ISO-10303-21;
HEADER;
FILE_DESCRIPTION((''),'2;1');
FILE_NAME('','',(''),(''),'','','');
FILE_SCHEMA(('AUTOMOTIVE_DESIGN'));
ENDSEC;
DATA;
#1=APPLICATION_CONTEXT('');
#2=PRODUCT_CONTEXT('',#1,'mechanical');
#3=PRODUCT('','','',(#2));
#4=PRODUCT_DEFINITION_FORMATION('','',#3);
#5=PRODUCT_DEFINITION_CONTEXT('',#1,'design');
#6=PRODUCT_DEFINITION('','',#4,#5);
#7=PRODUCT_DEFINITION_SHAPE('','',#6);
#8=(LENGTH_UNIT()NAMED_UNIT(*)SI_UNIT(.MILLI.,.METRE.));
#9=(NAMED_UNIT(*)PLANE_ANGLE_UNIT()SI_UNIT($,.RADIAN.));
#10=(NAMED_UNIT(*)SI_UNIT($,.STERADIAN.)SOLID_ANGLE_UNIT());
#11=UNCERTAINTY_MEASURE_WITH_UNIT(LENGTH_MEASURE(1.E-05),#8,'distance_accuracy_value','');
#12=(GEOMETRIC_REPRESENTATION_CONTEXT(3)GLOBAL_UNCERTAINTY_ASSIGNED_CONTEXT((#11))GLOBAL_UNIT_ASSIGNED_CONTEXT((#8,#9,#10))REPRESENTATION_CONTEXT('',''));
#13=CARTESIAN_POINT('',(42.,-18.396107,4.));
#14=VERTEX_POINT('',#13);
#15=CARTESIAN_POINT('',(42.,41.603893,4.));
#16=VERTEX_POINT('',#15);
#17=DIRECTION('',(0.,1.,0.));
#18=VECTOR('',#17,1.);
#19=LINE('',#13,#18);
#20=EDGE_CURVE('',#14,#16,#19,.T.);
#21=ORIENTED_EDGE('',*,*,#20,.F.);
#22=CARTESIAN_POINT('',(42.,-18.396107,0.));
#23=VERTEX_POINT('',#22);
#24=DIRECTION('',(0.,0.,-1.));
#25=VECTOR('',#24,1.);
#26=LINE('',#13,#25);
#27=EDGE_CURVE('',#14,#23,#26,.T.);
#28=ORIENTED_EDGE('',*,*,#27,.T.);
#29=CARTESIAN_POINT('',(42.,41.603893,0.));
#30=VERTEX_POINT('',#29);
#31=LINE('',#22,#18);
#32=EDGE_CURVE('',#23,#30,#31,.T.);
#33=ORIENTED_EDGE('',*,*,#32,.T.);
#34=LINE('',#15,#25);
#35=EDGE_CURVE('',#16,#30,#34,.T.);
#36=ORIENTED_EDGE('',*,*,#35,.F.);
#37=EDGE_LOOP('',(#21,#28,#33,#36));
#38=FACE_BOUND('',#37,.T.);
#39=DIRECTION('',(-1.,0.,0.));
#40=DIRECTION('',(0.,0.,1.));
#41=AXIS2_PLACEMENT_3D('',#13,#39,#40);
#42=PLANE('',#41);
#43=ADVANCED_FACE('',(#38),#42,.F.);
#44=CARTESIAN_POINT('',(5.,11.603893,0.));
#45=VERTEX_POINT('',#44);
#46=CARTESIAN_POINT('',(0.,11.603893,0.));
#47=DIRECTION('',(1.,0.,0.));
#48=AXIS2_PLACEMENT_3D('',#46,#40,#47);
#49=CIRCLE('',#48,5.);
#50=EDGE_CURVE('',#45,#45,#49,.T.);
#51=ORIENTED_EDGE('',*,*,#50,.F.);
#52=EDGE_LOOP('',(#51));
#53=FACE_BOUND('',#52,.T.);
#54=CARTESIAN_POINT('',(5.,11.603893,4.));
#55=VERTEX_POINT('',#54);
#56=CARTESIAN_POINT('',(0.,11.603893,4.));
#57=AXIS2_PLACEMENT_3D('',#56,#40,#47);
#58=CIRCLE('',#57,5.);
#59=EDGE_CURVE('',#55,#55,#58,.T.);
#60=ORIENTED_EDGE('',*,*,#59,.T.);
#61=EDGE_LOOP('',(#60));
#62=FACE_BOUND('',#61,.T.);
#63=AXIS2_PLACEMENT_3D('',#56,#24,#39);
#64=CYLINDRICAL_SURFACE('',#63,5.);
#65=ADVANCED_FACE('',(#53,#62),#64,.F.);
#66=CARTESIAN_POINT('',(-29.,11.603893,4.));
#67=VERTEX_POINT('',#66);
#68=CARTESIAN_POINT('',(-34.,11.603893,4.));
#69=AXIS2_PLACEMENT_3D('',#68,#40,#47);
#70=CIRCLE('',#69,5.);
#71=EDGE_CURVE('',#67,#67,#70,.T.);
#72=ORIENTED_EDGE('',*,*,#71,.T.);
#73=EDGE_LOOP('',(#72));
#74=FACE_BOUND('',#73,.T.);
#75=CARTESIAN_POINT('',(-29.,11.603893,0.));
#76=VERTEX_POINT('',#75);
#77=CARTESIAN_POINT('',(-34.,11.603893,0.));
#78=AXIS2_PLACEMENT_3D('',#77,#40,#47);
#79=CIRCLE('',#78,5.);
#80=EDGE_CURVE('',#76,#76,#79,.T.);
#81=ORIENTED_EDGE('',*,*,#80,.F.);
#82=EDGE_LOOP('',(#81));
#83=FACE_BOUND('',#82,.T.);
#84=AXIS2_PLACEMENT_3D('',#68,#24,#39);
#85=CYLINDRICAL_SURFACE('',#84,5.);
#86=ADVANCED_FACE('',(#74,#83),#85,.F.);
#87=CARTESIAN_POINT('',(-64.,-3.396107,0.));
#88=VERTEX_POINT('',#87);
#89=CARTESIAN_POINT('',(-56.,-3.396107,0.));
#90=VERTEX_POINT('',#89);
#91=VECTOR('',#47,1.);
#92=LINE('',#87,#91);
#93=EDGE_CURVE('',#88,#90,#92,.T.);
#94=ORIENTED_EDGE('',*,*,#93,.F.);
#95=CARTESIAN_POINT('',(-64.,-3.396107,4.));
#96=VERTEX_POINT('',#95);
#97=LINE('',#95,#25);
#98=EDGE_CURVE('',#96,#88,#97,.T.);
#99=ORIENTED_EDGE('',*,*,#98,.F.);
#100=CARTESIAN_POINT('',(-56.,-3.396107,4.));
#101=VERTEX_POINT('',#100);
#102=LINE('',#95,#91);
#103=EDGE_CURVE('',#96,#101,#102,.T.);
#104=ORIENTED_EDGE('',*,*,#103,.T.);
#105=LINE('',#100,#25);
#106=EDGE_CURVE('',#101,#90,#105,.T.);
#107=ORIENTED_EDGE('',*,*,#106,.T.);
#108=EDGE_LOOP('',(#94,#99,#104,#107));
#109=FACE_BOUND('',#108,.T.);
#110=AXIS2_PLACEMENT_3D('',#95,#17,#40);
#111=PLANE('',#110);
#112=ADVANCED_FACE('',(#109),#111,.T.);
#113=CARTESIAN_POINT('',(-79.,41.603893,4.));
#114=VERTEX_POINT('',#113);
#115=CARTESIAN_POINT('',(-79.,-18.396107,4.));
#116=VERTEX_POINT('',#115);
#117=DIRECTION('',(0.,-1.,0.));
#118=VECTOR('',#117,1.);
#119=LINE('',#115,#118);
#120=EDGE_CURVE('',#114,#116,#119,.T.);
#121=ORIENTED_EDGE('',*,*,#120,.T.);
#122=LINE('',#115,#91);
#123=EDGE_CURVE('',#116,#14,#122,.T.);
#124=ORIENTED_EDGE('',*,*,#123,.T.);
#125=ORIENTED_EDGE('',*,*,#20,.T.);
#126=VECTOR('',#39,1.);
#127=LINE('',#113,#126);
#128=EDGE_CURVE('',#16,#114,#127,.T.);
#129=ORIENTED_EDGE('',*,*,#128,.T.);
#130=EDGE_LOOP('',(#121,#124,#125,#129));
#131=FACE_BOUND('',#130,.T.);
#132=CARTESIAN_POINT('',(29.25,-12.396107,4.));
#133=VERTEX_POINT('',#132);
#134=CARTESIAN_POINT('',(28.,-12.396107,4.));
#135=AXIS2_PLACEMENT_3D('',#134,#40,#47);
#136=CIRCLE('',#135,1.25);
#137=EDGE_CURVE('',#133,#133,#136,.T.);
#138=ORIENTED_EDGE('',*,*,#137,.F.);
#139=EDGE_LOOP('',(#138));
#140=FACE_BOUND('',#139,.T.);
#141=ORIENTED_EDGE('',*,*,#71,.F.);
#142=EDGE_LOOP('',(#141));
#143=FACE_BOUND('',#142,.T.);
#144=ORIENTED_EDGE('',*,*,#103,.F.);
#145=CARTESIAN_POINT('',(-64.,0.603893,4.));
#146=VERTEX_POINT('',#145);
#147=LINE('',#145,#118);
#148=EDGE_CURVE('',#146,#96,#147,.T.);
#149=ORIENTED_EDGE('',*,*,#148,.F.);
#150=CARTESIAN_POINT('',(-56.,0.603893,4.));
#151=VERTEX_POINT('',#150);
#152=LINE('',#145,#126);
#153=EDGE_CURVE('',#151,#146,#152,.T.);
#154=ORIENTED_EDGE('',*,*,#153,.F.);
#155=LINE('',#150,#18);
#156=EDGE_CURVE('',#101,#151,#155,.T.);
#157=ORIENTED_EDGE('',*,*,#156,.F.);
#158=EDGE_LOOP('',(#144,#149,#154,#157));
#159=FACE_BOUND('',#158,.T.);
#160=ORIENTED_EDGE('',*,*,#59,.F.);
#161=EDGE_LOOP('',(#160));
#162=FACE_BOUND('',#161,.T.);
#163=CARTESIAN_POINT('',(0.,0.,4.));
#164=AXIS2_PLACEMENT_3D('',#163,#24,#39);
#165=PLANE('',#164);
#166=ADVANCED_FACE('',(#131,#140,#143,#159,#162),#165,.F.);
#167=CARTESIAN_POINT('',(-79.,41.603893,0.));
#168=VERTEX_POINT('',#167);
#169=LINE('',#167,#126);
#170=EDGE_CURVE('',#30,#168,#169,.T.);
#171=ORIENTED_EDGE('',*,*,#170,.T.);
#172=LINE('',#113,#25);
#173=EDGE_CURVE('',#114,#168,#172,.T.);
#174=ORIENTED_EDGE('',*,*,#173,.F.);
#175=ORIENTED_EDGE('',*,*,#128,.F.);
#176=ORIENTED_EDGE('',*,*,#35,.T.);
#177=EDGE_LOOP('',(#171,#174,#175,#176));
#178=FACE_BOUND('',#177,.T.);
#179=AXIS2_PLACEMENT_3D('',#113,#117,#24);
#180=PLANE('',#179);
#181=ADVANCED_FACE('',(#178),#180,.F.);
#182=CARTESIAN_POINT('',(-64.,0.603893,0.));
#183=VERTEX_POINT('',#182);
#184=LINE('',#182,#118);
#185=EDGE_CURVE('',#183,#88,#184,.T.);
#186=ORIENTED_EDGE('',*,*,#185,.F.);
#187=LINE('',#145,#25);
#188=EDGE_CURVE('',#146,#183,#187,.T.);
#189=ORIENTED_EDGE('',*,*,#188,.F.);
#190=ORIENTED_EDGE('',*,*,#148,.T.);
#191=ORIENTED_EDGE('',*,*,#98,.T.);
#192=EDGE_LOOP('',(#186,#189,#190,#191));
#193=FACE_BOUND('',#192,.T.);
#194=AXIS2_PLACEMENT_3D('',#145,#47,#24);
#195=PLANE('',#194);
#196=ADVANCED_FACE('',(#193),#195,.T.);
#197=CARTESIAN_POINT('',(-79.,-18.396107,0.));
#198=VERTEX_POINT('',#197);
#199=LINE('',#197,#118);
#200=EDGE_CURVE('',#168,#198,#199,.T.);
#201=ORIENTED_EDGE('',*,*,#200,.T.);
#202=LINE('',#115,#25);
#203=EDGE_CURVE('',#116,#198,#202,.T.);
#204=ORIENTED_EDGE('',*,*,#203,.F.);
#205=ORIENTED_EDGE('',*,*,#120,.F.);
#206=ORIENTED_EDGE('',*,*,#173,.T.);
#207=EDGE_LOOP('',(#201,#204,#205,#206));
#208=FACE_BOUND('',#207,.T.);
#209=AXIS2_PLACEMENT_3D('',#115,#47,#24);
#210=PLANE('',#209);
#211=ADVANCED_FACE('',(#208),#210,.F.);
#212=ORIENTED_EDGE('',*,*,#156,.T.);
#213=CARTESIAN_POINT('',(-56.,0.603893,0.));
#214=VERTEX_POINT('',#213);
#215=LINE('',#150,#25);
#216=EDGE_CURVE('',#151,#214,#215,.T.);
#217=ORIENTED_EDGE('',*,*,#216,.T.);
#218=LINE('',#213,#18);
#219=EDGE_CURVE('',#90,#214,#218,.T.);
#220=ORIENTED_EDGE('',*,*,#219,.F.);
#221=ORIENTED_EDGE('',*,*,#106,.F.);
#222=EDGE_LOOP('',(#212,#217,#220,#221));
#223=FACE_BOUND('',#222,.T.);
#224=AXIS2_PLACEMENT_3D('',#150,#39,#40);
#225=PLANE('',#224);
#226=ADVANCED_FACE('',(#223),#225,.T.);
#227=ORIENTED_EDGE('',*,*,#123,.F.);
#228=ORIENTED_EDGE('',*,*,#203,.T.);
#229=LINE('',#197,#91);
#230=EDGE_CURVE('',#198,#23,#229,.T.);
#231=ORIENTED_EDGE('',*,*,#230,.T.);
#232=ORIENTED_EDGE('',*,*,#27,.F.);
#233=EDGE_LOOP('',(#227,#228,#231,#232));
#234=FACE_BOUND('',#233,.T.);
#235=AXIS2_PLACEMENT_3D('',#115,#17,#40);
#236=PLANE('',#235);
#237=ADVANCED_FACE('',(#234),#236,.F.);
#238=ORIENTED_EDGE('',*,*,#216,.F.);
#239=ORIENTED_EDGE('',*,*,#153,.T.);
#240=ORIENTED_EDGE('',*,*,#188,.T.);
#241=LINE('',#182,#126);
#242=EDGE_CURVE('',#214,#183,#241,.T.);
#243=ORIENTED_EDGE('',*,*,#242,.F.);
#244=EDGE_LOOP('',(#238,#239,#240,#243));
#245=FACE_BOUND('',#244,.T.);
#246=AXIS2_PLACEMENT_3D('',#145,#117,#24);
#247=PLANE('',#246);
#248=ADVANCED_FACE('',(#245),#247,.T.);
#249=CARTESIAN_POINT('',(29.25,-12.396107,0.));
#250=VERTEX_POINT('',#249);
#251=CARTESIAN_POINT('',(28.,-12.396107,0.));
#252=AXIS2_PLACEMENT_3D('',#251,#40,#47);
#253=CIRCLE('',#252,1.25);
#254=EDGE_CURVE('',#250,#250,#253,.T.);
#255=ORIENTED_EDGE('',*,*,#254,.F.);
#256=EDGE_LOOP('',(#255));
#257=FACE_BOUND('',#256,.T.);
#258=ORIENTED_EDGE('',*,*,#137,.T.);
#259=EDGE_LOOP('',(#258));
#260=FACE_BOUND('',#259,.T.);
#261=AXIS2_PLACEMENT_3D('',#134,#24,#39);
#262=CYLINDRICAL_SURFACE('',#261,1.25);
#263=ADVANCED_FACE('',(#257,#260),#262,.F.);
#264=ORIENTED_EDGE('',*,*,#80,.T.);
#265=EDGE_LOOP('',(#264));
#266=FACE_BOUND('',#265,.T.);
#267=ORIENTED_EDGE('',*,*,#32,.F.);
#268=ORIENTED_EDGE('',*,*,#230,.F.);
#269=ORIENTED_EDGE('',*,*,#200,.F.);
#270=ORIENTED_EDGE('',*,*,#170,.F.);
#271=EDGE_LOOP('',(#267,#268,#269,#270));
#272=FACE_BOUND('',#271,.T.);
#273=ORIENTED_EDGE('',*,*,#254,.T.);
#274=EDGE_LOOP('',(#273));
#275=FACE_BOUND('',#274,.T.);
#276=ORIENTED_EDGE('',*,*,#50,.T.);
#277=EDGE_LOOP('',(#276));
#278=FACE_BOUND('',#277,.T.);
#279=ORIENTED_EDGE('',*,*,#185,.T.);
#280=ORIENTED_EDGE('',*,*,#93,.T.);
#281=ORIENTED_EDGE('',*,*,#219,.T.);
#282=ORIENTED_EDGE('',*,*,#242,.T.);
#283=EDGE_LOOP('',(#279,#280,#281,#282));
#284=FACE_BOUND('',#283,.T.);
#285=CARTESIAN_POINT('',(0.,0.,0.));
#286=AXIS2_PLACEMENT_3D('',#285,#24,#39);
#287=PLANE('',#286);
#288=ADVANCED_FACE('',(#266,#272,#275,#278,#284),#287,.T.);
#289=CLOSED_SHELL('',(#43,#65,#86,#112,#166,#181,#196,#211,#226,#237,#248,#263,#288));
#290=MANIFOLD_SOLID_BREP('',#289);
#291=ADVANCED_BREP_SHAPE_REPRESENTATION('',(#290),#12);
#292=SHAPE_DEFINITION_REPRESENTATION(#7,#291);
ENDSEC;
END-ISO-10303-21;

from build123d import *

# Parameters (mm, degrees)
SKETCH1_W           = 121
SKETCH1_H           = 60
SKETCH1_R           = 5
SKETCH1_R_2         = 1.25
SKETCH1_W_2         = 8
SKETCH1_H_2         = 4
BOSS_EXTRUDE1_DEPTH = 4


with BuildPart() as part:
    # Sketch1 → Boss-Extrude1 (new body)
    with BuildSketch(Plane.XY):
        with Locations((-18.5, 11.603893248)):
            Rectangle(SKETCH1_W, SKETCH1_H)
        with Locations((-34, 11.603893248)):
            Circle(SKETCH1_R, mode=Mode.SUBTRACT)
        with Locations((0, 11.603893248)):
            Circle(SKETCH1_R, mode=Mode.SUBTRACT)
        with Locations((28, -12.396106752)):
            Circle(SKETCH1_R_2, mode=Mode.SUBTRACT)
        with Locations((-60, -1.396106752)):
            Rectangle(SKETCH1_W_2, SKETCH1_H_2, mode=Mode.SUBTRACT)
    extrude(amount=BOSS_EXTRUDE1_DEPTH)


solid = part.part
